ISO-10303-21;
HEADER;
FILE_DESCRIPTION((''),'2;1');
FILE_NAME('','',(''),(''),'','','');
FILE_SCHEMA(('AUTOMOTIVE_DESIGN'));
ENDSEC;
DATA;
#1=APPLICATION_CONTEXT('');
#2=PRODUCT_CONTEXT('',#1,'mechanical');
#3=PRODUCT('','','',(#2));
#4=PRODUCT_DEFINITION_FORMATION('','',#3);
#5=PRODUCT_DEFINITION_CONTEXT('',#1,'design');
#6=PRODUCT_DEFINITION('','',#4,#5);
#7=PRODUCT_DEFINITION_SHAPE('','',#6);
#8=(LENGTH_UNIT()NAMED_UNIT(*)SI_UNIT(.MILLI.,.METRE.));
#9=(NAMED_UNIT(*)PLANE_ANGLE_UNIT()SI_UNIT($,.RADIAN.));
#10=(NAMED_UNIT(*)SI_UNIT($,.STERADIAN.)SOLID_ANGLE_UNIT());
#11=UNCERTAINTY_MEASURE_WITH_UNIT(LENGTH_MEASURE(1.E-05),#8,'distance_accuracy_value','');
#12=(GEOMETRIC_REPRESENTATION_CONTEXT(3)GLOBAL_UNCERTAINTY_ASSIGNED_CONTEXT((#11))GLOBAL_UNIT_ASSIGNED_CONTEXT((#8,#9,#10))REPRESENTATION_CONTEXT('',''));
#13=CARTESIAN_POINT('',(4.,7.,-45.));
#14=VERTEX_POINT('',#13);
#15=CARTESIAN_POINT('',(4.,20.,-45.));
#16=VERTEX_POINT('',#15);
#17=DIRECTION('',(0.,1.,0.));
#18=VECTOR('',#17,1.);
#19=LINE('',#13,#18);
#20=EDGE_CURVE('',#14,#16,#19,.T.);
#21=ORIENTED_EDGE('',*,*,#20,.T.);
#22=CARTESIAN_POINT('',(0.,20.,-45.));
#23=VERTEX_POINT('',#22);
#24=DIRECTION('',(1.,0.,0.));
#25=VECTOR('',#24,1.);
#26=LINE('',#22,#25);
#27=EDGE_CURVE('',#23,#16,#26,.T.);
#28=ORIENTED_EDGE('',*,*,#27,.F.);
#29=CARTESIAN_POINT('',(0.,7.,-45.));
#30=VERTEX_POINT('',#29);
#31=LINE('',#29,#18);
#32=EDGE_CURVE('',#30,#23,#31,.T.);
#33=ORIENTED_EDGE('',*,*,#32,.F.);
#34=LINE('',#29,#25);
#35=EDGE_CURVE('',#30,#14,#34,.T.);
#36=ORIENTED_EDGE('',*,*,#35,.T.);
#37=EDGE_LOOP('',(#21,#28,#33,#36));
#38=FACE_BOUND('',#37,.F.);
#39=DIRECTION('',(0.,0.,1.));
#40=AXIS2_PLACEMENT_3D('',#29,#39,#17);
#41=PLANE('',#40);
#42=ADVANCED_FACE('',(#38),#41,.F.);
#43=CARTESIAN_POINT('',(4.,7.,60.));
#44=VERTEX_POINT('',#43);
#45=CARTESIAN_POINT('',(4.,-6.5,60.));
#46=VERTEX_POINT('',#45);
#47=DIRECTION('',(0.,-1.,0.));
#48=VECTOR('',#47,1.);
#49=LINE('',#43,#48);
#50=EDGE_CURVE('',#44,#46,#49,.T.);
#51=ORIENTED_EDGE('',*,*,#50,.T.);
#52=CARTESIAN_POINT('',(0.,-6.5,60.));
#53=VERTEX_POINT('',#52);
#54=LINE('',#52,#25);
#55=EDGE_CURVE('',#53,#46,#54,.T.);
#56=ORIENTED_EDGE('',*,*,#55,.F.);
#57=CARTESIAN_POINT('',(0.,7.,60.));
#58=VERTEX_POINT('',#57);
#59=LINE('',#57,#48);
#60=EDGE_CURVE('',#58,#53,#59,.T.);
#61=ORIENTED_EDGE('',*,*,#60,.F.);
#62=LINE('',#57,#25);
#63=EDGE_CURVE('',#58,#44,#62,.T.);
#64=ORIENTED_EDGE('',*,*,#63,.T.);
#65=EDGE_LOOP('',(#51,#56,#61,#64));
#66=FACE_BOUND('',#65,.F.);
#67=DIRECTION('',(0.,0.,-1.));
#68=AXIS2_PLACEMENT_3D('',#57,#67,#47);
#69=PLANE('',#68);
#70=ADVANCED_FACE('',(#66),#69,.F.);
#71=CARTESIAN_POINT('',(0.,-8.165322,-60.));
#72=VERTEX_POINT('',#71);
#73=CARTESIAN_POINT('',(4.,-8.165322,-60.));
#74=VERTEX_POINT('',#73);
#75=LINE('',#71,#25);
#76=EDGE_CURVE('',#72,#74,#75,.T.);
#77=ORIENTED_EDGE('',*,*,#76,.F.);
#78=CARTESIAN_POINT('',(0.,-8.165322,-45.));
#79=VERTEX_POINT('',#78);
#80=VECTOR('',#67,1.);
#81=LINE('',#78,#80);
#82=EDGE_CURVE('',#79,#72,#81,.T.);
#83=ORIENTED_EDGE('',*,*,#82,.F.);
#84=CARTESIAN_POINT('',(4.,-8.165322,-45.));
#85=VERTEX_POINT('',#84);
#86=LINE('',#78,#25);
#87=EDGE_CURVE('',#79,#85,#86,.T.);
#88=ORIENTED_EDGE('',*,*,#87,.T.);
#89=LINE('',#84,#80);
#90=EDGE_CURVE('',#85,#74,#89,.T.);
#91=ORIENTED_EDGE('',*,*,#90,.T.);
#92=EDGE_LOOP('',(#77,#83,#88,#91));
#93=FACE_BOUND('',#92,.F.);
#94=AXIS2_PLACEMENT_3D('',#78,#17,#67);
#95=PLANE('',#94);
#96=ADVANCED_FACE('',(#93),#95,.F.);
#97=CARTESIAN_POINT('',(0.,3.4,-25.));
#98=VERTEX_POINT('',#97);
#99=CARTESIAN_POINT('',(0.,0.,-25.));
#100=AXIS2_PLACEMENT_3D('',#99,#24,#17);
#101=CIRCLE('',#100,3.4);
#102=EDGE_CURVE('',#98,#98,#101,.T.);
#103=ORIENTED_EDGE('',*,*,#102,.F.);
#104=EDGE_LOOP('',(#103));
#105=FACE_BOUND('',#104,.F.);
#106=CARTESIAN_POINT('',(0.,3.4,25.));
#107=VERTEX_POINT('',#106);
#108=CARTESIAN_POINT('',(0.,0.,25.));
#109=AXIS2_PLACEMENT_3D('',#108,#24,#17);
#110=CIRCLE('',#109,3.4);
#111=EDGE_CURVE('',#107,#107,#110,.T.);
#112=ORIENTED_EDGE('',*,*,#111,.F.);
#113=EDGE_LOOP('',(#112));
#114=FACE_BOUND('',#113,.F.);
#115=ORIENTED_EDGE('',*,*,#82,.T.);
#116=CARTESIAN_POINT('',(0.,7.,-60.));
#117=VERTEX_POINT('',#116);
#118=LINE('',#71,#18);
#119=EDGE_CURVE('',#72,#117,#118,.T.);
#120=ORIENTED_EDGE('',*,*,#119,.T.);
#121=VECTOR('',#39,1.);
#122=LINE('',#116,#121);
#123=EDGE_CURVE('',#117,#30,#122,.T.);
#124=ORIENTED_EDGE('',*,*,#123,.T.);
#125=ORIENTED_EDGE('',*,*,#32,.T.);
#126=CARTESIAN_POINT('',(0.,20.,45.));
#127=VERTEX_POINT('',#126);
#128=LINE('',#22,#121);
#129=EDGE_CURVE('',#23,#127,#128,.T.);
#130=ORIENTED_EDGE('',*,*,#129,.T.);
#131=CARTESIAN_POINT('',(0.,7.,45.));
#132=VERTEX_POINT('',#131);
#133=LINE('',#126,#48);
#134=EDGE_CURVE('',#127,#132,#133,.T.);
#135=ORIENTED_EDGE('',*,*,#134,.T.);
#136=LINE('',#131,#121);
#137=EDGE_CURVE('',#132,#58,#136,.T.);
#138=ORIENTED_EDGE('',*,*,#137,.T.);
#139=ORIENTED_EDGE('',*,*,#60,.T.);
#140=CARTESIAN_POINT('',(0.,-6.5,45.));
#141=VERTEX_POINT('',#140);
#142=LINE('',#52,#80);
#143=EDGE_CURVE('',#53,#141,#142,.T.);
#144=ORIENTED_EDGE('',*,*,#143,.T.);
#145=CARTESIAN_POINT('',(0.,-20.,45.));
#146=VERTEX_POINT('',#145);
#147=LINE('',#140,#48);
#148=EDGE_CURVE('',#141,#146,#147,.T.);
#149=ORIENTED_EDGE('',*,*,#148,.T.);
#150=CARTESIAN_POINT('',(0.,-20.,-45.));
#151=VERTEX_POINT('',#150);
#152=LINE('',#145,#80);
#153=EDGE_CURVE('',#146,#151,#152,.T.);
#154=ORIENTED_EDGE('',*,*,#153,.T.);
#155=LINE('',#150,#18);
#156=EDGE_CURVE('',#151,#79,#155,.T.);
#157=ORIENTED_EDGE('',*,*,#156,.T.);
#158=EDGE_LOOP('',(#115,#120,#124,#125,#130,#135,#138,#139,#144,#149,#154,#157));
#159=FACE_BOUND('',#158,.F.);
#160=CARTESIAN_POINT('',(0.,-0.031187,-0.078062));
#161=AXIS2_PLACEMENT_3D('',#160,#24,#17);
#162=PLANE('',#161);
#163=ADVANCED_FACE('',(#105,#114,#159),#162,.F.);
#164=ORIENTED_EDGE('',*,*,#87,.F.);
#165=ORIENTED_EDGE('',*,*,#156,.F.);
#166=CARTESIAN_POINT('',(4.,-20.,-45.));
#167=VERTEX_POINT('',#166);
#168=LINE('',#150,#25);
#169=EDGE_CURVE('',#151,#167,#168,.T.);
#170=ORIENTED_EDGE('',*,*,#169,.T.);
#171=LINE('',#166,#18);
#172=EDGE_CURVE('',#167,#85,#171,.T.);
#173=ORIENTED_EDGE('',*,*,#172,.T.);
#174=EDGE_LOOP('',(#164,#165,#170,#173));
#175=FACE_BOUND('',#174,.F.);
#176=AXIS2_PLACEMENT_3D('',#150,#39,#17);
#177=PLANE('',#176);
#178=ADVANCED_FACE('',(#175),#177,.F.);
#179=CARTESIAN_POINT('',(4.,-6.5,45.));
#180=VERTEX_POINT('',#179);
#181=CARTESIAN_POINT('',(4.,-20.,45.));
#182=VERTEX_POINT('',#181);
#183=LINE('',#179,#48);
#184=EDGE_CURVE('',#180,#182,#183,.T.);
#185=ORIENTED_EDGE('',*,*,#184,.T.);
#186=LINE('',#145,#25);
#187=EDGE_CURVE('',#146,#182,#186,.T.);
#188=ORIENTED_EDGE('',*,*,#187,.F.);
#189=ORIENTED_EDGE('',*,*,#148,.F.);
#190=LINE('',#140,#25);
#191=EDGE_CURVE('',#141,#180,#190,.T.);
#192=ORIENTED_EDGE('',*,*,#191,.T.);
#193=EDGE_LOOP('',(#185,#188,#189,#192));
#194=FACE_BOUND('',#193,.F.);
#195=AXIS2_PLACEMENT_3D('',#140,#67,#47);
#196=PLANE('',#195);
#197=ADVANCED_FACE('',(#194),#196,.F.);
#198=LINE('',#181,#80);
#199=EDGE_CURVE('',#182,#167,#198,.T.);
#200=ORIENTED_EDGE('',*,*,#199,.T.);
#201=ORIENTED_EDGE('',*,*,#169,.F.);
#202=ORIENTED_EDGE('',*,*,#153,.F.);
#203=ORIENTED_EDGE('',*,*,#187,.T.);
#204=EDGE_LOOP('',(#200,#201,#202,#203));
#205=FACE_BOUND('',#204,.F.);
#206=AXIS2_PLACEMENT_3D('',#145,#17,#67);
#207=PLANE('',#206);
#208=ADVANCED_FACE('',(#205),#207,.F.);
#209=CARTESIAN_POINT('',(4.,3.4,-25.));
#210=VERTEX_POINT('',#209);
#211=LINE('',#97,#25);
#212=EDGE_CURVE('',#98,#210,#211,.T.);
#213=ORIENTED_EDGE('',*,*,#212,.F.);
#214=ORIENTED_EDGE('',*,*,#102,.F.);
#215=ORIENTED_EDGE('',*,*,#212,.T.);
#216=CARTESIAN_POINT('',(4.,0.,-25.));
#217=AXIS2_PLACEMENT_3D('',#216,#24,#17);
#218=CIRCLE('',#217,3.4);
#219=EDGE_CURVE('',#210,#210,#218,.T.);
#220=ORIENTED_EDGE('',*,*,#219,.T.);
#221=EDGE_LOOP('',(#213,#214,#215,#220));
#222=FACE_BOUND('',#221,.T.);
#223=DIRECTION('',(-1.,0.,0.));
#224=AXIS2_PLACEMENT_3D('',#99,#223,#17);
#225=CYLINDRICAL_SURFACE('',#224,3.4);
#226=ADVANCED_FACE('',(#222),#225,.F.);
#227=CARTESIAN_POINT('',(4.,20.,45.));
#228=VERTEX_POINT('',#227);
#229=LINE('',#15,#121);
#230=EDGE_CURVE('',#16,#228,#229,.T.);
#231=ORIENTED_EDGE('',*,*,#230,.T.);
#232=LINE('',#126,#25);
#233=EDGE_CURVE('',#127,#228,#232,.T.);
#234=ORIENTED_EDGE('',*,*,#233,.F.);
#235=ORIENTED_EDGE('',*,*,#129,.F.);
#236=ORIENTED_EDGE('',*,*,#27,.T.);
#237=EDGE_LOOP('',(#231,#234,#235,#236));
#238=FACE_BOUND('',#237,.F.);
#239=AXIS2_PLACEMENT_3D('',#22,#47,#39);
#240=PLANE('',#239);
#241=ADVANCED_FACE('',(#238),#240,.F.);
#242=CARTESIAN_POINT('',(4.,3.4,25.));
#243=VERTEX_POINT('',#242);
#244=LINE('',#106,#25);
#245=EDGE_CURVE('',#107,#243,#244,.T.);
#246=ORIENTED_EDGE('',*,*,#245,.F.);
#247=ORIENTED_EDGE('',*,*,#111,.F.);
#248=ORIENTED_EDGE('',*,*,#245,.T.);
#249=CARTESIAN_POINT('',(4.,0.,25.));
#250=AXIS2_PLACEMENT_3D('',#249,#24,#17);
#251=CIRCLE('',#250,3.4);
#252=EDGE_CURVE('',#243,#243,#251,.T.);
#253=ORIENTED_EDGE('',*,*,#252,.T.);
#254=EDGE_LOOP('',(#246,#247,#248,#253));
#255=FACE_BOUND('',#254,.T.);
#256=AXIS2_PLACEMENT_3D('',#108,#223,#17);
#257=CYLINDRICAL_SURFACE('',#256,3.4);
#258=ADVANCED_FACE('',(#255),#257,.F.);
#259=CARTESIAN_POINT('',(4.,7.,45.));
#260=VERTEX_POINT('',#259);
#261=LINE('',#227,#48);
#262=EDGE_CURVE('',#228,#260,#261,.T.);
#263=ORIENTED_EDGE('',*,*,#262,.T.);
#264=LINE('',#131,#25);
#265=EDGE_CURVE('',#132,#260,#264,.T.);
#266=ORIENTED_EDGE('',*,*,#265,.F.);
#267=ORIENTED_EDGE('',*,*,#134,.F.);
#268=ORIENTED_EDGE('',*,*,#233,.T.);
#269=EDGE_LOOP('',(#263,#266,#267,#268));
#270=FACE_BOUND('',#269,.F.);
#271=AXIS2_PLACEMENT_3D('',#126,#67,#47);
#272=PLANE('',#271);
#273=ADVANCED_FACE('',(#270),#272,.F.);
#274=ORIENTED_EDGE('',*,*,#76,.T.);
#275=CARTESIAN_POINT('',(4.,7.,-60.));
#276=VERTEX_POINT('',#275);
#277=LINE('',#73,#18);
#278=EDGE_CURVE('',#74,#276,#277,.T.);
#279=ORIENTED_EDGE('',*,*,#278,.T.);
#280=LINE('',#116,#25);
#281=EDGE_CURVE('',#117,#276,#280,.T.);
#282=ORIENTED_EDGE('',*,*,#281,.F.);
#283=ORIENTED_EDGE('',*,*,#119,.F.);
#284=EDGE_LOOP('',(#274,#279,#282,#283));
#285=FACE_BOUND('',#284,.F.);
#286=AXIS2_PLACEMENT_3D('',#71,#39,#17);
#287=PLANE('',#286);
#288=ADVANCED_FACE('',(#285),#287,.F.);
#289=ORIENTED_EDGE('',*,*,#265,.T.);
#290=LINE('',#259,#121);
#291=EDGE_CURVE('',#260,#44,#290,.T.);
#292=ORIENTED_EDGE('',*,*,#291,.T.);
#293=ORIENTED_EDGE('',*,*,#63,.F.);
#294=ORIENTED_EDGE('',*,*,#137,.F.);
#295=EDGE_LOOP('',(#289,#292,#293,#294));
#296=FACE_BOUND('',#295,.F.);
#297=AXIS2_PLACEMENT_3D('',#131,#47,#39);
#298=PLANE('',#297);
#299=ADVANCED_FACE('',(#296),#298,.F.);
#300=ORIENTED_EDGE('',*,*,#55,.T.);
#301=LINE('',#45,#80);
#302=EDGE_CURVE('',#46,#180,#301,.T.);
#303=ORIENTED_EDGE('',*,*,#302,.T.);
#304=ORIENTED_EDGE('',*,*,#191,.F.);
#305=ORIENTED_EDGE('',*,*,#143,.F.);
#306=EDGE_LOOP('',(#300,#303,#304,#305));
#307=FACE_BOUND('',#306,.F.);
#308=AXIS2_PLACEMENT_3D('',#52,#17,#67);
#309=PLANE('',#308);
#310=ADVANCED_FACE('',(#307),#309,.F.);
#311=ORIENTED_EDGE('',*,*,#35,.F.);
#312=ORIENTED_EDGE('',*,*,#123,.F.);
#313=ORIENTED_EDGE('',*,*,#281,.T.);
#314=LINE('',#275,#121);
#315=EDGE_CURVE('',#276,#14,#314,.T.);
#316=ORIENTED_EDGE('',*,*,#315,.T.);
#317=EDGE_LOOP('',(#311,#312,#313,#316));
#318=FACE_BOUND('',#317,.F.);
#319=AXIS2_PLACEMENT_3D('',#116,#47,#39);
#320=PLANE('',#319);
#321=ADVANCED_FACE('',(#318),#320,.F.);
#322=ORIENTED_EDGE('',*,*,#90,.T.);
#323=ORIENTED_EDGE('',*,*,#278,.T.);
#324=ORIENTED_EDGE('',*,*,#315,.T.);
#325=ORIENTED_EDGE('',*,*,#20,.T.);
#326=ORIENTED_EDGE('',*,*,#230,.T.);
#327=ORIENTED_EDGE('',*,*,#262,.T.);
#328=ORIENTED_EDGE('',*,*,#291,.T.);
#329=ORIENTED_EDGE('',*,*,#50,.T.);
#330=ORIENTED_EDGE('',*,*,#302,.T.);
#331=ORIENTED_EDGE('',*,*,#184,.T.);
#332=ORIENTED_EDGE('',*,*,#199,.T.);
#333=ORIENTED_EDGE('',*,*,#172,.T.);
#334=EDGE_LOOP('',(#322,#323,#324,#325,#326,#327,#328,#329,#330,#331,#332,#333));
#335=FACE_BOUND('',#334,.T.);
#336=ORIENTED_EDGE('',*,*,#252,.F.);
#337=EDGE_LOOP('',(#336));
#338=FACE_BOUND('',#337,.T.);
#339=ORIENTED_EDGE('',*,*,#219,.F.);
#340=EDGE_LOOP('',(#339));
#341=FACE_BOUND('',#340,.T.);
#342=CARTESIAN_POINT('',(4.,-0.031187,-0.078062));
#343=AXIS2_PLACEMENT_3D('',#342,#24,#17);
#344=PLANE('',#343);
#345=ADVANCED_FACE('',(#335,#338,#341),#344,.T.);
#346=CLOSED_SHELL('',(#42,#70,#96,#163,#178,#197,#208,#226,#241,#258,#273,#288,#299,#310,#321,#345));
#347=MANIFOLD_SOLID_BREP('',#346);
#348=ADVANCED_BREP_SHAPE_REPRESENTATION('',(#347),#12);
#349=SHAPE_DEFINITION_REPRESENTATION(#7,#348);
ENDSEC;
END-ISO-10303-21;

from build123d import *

# Parameters (mm, degrees)
F0_R     = 3.4
F1_DEPTH = 4


with BuildPart() as f1:
    # F0 (on Right) → F1 (new body)
    with BuildSketch(Plane.YZ):
        Polygon((-8.165322, -45), (-8.165322, -60), (7, -60), (7, -45), (20, -45), (20, 45), (7, 45), (7, 60), (-6.5, 60), (-6.5, 45), (-20, 45), (-20, -45), align=None)
        with Locations((0, -25)):
            Circle(F0_R, mode=Mode.SUBTRACT)
        with Locations((0, 25)):
            Circle(F0_R, mode=Mode.SUBTRACT)
    extrude(amount=F1_DEPTH)


solid = f1.part
